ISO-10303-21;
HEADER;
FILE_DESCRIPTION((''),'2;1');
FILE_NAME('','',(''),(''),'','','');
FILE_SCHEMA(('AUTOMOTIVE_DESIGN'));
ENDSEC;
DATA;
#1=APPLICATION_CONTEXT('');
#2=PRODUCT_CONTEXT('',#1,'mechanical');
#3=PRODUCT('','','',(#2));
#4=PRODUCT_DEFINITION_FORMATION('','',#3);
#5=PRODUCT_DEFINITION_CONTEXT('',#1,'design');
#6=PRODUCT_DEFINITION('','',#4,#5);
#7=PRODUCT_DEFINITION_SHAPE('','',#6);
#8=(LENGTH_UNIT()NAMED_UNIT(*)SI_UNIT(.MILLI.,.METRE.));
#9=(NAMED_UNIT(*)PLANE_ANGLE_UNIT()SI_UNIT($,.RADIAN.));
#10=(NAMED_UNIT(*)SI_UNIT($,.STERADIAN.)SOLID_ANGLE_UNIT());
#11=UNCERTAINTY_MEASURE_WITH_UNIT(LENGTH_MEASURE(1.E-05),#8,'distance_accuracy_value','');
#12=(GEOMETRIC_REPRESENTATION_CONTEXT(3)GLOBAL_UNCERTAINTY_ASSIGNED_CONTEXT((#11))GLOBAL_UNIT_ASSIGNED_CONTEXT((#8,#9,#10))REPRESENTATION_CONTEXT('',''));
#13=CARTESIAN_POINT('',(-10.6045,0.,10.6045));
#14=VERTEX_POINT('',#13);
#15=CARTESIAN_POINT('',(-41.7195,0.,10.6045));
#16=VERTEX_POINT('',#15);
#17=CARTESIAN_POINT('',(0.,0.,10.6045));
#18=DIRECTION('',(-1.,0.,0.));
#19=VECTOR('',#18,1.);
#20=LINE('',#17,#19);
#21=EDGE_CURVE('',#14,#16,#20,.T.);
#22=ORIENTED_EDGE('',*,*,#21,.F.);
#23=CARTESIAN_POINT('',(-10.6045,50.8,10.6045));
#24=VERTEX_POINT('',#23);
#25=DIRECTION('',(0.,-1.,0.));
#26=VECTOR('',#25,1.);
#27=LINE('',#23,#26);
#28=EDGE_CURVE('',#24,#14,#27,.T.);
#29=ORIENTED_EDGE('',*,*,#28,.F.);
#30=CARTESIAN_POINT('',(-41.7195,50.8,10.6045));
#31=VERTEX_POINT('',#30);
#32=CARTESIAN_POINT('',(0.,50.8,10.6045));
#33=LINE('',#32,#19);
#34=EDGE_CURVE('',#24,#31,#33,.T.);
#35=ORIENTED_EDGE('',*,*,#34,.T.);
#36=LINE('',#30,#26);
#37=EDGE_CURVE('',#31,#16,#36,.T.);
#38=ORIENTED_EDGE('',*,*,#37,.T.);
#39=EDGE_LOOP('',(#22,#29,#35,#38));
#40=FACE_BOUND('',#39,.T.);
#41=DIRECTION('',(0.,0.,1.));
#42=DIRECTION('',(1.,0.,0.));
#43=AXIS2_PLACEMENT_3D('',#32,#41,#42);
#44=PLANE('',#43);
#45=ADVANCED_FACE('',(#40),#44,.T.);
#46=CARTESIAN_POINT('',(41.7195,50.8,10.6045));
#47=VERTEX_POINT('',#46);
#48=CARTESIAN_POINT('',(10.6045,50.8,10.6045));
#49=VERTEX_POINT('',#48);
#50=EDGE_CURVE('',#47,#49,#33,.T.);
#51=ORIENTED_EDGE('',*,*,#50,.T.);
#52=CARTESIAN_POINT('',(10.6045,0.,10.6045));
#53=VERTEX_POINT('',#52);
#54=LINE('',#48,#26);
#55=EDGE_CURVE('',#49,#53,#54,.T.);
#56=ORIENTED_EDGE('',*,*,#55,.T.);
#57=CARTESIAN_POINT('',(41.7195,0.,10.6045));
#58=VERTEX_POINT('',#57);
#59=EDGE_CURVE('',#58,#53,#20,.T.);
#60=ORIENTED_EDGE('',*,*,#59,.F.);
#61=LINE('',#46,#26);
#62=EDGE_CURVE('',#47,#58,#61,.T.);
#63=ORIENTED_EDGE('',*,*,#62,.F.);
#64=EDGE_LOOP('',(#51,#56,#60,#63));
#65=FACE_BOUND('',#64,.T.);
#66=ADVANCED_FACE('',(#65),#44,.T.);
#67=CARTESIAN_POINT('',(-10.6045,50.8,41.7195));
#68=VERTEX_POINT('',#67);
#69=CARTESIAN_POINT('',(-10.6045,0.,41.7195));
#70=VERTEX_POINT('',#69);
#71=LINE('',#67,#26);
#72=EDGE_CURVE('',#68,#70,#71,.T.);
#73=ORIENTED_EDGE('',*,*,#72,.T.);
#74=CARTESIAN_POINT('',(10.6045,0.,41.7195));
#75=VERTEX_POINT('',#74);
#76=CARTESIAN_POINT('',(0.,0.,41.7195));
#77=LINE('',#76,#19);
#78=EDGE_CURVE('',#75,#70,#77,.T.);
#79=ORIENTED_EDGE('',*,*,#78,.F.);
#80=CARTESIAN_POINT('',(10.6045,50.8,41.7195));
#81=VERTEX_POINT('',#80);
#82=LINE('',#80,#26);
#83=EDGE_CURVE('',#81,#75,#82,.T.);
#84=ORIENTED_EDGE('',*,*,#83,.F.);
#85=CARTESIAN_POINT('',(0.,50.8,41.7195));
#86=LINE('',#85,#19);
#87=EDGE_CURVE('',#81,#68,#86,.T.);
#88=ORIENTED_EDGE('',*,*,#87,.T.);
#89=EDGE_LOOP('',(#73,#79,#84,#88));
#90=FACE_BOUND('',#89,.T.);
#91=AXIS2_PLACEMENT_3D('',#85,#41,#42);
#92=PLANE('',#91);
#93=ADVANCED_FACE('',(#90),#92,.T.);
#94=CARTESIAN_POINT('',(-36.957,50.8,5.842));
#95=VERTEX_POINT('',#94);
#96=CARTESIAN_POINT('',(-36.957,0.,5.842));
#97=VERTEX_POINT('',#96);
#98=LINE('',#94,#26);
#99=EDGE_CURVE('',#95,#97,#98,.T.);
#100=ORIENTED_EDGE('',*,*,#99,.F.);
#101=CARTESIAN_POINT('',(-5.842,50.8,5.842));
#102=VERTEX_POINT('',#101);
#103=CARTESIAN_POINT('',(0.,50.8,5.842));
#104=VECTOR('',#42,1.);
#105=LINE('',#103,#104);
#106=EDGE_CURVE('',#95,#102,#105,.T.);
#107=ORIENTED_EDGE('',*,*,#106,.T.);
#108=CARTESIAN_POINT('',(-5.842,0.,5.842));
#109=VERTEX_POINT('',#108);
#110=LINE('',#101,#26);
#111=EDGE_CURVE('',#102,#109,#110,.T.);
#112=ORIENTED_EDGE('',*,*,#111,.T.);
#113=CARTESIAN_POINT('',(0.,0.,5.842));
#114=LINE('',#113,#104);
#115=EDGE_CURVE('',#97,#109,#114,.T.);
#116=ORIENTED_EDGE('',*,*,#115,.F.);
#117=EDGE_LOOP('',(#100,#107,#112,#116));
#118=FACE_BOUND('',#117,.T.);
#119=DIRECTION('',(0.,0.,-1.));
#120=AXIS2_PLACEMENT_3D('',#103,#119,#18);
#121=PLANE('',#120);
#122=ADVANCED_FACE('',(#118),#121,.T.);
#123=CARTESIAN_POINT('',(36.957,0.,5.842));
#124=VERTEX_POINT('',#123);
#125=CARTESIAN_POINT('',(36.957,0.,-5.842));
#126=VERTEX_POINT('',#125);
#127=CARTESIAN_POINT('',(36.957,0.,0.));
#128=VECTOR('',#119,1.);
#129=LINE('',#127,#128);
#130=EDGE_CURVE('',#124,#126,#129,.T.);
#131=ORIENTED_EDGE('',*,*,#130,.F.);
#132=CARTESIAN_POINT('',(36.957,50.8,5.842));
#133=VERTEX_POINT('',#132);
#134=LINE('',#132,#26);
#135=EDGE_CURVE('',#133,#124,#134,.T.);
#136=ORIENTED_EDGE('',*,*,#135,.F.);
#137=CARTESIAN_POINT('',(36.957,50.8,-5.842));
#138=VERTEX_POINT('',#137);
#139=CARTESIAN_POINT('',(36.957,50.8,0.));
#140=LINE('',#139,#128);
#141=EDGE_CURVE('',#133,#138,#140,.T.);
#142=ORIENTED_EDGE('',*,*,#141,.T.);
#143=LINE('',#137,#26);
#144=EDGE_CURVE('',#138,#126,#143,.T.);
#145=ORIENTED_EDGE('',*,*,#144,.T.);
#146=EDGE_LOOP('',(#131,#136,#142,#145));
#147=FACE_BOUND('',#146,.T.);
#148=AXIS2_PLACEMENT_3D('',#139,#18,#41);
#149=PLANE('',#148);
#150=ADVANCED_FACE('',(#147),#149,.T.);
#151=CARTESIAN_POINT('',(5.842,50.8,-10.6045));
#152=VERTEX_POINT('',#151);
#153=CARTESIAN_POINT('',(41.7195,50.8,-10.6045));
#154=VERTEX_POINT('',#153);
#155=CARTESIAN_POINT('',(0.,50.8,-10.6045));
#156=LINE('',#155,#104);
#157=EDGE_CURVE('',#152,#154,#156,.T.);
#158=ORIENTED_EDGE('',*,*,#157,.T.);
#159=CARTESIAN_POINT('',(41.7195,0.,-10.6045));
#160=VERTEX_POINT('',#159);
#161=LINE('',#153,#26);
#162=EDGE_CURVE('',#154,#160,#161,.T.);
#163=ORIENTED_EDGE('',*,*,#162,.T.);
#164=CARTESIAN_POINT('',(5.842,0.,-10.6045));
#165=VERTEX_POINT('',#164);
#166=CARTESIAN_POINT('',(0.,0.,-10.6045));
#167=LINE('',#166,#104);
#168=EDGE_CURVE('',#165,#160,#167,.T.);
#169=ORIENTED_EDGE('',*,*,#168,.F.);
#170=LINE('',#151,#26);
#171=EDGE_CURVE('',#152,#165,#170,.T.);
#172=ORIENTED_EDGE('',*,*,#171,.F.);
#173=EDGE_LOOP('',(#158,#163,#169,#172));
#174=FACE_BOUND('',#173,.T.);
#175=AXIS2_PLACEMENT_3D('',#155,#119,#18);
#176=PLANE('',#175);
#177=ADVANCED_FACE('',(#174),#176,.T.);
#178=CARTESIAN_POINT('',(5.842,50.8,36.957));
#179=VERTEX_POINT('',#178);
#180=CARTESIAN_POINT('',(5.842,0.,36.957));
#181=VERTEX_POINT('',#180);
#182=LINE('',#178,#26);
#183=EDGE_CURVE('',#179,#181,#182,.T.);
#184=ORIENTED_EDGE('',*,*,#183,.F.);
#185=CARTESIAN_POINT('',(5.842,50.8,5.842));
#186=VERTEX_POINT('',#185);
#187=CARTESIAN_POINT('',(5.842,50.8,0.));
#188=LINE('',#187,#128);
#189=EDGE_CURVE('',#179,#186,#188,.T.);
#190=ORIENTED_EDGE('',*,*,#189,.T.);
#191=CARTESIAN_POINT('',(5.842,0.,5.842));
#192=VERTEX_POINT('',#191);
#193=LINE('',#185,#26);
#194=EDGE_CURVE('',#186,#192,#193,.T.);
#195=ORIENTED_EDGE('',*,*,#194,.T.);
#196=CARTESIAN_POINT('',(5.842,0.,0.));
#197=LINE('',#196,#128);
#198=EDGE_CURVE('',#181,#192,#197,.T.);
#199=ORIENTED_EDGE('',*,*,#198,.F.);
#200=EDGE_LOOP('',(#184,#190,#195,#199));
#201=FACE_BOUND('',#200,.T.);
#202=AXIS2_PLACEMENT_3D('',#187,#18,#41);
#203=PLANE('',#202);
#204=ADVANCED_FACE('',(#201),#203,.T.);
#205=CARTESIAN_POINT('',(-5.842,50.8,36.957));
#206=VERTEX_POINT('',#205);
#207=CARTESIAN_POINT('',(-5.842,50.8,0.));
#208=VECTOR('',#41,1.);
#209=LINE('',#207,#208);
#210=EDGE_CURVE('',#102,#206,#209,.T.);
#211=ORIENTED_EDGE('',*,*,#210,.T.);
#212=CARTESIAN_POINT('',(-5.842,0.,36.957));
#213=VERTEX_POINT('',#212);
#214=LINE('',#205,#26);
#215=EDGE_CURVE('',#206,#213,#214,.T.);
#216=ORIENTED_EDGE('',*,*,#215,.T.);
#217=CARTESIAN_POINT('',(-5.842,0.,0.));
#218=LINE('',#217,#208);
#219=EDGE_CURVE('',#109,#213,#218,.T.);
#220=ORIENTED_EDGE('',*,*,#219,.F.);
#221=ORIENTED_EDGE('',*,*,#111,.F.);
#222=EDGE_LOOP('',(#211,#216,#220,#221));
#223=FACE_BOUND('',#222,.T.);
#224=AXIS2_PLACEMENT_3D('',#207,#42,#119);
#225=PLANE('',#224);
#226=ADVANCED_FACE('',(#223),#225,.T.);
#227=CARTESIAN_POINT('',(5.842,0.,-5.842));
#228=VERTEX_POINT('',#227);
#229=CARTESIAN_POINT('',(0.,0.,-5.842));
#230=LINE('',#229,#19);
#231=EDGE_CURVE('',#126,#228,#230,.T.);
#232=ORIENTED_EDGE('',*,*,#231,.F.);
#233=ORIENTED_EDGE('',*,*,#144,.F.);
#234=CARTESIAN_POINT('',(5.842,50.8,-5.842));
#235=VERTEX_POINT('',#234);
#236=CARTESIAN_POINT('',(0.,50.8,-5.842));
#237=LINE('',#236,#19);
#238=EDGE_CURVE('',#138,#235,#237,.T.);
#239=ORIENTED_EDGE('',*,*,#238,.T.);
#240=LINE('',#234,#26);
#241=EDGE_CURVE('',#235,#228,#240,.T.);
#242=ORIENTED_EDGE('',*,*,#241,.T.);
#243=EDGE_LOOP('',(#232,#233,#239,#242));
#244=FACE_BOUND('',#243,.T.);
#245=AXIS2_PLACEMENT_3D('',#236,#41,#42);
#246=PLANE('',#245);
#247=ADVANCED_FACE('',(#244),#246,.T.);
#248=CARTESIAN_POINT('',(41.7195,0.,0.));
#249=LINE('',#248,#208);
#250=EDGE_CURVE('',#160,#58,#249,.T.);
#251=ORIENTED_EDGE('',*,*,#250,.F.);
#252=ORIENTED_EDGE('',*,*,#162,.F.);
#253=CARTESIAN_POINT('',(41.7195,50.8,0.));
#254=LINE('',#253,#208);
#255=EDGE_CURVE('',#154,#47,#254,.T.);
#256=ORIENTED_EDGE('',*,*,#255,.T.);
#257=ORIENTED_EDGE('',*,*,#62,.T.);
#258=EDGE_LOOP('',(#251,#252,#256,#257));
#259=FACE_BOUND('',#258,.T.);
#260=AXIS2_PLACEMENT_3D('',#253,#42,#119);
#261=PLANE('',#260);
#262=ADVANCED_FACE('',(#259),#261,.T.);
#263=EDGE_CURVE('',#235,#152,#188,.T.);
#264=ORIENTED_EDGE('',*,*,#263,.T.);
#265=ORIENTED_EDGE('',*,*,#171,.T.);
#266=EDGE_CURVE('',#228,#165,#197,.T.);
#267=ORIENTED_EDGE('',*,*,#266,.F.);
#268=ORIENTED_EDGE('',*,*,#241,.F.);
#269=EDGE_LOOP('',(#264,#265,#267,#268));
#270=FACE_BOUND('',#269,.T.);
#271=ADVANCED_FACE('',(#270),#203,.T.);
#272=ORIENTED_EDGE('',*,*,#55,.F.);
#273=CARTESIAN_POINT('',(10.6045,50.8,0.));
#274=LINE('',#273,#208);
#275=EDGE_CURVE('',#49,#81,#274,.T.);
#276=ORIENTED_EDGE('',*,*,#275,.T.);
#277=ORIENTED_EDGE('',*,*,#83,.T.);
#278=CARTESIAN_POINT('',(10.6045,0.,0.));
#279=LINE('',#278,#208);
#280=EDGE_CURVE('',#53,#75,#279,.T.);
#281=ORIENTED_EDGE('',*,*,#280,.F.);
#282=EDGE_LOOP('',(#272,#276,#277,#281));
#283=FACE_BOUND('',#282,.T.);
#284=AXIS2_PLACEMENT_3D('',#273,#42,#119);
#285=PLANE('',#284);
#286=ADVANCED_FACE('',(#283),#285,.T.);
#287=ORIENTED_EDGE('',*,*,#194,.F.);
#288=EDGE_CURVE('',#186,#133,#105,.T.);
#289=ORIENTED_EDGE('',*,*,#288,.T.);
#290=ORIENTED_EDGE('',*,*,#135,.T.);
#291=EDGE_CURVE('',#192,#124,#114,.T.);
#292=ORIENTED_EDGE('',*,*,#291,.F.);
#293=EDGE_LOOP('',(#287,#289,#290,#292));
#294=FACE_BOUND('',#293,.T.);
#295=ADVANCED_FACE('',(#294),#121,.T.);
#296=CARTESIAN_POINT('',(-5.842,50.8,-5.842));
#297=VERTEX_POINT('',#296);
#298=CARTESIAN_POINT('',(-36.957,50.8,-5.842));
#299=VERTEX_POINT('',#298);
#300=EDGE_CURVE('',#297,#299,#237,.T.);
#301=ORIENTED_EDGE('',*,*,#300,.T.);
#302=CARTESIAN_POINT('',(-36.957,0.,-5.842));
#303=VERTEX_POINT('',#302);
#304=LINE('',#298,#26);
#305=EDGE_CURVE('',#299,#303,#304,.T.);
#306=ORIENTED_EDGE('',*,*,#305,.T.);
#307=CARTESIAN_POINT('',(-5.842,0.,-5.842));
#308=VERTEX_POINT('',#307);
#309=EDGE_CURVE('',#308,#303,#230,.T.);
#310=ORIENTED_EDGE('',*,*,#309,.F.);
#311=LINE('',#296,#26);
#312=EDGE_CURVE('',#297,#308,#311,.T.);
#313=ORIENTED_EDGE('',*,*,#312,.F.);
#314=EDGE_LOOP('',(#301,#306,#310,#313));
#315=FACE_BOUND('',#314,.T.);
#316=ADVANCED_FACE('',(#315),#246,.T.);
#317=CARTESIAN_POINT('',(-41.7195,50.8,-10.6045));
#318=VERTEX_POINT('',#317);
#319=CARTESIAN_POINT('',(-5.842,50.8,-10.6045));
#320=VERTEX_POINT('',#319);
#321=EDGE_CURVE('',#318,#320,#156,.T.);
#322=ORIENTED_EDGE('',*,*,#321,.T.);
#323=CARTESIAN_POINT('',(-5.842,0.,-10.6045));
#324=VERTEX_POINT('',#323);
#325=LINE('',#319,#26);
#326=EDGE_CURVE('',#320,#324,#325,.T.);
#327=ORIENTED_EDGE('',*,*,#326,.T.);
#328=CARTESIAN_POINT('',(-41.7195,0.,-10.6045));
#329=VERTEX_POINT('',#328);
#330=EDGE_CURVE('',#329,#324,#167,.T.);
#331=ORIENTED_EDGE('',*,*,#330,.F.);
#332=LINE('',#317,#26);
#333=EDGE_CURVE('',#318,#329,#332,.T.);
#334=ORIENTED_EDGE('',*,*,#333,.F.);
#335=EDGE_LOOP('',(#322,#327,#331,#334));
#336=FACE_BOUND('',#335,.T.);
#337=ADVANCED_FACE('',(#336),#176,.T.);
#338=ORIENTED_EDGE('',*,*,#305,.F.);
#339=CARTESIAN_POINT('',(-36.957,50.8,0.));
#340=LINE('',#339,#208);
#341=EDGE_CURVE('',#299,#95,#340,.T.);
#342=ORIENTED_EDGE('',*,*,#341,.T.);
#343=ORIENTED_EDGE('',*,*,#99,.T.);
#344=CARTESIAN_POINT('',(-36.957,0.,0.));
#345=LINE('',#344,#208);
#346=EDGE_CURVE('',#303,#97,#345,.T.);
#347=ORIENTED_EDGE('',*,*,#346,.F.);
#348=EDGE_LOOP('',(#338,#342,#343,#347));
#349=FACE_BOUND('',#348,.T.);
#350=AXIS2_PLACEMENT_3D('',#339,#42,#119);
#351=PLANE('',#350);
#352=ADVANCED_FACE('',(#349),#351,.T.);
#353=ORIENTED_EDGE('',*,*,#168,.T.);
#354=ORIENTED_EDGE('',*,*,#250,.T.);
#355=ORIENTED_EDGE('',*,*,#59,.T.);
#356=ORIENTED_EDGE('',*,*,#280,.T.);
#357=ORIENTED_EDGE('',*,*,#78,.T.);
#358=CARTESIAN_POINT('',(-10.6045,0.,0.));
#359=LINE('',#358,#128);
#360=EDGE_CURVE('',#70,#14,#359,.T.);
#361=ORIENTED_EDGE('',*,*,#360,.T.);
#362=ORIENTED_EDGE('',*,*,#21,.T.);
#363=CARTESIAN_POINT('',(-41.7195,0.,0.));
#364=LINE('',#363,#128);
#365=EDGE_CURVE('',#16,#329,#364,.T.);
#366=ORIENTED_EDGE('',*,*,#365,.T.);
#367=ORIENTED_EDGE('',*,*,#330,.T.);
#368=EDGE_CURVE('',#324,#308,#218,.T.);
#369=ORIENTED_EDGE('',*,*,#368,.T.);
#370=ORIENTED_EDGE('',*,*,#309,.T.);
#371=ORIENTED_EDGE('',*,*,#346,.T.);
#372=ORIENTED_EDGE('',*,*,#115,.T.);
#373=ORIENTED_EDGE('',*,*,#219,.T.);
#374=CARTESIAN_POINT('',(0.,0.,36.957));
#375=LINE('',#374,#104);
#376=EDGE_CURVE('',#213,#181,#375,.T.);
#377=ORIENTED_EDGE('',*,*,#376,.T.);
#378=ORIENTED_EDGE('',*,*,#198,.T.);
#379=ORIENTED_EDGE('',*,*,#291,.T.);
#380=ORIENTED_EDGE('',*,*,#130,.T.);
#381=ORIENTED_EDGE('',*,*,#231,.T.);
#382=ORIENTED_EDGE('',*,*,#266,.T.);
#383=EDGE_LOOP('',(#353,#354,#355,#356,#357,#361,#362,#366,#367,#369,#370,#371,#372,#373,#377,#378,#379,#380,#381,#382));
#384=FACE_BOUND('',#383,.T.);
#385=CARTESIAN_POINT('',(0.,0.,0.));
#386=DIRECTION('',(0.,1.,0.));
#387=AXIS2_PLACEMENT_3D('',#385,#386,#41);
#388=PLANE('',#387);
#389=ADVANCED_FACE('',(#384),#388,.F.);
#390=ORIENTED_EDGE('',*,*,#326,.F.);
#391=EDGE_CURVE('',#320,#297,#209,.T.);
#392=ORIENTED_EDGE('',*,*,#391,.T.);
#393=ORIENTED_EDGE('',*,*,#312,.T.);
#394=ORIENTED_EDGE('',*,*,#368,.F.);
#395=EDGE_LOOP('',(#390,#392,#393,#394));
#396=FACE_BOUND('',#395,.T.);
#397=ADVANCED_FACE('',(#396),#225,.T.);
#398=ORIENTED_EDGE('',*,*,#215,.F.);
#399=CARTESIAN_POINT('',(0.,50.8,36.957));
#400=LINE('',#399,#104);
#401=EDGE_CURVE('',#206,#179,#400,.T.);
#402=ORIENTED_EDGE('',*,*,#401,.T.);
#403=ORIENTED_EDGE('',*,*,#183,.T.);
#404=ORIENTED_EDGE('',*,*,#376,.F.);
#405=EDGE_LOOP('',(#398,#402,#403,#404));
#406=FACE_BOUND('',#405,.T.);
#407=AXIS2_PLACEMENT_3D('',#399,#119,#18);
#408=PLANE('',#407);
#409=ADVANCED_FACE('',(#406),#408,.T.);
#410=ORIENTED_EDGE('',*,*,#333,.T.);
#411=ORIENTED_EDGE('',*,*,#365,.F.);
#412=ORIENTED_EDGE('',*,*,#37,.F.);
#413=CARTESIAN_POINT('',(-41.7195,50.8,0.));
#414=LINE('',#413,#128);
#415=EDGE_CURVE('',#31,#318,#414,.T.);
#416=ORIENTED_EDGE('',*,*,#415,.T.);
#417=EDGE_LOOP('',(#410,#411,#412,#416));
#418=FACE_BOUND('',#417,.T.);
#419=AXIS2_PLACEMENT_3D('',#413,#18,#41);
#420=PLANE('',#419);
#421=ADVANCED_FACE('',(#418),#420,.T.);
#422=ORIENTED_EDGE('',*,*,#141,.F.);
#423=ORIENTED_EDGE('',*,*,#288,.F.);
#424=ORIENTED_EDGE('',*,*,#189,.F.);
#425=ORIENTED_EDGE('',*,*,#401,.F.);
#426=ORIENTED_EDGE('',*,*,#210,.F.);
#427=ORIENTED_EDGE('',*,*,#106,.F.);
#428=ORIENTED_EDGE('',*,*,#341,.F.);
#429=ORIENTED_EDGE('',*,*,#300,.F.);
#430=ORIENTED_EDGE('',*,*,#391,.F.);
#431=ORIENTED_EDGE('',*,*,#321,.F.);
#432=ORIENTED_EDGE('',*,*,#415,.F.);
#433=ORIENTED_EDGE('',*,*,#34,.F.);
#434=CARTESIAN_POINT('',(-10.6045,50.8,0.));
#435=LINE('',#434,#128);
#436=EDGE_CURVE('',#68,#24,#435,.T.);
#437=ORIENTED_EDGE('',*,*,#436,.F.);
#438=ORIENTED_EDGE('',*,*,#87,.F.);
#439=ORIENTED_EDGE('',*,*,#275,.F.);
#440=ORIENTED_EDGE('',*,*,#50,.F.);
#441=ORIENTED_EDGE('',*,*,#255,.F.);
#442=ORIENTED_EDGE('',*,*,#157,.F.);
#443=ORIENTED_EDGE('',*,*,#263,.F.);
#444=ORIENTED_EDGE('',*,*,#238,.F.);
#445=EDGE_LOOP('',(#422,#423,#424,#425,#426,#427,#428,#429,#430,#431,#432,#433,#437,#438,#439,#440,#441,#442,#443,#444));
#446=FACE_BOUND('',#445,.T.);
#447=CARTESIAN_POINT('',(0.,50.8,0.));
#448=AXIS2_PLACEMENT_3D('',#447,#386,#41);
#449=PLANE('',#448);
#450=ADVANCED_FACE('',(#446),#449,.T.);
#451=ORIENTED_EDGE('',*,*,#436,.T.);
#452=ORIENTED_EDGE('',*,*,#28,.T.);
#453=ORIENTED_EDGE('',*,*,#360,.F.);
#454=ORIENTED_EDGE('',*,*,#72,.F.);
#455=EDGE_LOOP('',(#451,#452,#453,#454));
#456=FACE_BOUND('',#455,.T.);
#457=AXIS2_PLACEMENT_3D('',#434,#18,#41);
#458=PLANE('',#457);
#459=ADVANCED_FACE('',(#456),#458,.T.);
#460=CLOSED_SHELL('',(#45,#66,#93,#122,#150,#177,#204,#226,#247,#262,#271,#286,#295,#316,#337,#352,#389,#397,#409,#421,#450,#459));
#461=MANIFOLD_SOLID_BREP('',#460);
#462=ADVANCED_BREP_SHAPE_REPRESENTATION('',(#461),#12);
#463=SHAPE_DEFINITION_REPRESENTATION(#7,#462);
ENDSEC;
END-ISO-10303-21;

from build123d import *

# Parameters (mm, degrees)
PROFILE_EXTRUDE_DEPTH = 50.8


with BuildPart() as part:
    # Profile Sketch → Profile Extrude (new body)
    with BuildSketch(Plane(origin=(0, 0, 0), x_dir=(1, 0, 0), z_dir=(0, 1, 0))):
        Polygon((-41.7195, 10.6045), (-41.7195, -10.6045), (-10.6045, -10.6045), (-10.6045, -41.7195), (10.6045, -41.7195), (10.6045, -10.6045), (41.7195, -10.6045), (41.7195, 10.6045), (5.842, 10.6045), (5.842, 5.842), (36.957, 5.842), (36.957, -5.842), (5.842, -5.842), (5.842, -36.957), (-5.842, -36.957), (-5.842, -5.842), (-36.957, -5.842), (-36.957, 5.842), (-5.842, 5.842), (-5.842, 10.6045), align=None)
    extrude(amount=PROFILE_EXTRUDE_DEPTH)


solid = part.part
